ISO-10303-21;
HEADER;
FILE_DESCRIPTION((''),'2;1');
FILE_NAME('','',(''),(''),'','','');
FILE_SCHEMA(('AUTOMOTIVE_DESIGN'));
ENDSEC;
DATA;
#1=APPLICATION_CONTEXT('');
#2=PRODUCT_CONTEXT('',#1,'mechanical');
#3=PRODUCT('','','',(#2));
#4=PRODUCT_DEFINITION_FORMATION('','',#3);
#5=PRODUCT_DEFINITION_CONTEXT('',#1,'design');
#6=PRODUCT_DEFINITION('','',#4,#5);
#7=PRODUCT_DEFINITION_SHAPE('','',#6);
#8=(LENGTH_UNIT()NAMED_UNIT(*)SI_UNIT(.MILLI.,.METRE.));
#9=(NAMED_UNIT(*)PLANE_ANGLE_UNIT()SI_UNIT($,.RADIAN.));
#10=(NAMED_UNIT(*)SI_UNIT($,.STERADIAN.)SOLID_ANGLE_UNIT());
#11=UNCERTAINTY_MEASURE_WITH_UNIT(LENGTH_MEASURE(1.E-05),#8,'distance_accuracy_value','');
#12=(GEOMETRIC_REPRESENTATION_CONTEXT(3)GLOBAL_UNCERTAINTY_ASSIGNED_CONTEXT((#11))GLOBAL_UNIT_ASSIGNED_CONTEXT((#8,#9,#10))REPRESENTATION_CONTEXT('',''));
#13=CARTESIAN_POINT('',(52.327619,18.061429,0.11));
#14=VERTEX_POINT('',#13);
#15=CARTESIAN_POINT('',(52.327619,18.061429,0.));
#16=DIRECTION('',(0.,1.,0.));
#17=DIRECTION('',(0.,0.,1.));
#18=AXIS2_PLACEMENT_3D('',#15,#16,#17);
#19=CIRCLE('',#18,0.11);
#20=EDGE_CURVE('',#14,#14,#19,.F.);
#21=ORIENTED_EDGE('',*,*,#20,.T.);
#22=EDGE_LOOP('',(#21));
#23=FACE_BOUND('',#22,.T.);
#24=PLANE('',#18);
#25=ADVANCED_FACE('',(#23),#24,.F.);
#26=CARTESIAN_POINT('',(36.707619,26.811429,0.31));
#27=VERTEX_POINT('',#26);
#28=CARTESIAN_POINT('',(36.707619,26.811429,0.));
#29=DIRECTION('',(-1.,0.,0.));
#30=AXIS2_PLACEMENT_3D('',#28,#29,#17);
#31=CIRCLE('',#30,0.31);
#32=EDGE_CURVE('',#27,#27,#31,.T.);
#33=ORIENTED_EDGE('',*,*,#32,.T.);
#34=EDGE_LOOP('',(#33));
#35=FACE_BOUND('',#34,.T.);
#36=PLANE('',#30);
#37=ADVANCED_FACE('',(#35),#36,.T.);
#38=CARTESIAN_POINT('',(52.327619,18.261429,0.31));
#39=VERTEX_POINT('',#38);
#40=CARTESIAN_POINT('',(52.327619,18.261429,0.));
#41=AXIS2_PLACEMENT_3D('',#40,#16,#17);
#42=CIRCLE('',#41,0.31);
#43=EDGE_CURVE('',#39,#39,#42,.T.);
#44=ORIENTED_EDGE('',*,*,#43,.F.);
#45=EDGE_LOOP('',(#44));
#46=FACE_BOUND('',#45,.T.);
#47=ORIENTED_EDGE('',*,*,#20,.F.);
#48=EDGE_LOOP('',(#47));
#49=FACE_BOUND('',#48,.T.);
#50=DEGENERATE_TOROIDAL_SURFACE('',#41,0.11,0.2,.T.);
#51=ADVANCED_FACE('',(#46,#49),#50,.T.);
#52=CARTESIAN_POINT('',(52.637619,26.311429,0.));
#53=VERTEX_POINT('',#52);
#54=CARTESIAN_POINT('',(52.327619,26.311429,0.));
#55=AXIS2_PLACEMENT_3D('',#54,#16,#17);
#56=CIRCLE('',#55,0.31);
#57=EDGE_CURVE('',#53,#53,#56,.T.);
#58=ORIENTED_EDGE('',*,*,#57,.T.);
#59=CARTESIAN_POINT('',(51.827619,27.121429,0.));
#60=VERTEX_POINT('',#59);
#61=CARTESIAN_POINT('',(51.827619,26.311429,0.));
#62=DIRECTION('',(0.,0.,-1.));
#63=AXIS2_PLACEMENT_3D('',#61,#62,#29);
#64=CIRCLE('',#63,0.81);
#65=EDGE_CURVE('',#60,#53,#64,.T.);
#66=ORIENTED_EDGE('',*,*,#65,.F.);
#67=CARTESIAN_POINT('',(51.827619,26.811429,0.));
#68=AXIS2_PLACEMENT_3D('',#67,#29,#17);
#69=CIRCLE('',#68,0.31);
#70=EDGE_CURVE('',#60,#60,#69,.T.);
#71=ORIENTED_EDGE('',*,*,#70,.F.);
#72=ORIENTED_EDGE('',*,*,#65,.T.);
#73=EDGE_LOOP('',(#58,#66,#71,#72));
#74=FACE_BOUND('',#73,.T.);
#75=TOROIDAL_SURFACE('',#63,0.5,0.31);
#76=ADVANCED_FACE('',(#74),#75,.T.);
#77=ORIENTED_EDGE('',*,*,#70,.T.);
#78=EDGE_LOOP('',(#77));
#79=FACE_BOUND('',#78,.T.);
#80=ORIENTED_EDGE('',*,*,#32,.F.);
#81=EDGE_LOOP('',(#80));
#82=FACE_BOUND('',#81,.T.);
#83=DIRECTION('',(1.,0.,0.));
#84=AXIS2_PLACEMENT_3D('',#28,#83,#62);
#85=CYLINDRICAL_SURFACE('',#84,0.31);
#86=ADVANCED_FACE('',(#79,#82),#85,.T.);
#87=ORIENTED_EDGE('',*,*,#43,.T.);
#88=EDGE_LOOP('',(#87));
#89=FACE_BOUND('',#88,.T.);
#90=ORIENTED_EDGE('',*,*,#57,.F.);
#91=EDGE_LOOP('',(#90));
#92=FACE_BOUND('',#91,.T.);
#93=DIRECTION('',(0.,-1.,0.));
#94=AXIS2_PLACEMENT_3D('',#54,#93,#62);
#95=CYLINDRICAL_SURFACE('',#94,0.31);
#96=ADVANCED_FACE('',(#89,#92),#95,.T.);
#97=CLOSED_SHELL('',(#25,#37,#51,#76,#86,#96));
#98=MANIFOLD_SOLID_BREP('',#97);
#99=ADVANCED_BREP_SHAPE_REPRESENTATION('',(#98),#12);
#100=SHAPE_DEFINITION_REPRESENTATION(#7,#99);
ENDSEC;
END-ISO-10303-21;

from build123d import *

# Parameters (mm, degrees)
SWEEP_1_PROFILE_R = 0.31
FILLET_1_R        = 0.2


with BuildPart() as part:
    # 扫描1: sweep along a path in 草图1
    with BuildLine(Plane.XY) as sweep_1_path:
        Line((36.707619048, 26.811428571), (51.827619048, 26.811428571))
        ThreePointArc((51.827619048, 26.811428571), (52.181172438, 26.664981962), (52.327619048, 26.311428571))
        Line((52.327619048, 26.311428571), (52.327619048, 18.061428571))
    # 扫描1 profile (on start of the path) → 扫描1 (sweep)
    with BuildSketch(Plane(origin=(36.707619048, 26.811428571, 0), x_dir=(0, 0, 1), z_dir=(1, 0, 0))):
        Circle(SWEEP_1_PROFILE_R)
    sweep(path=sweep_1_path.line)

    # 圆角1
    fillet_1_edges = [part.edges().sort_by_distance(p)[0] for p in [
        (52.327619048, 18.061428571, -0.31),
    ]]
    fillet(fillet_1_edges, radius=FILLET_1_R)


solid = part.part
